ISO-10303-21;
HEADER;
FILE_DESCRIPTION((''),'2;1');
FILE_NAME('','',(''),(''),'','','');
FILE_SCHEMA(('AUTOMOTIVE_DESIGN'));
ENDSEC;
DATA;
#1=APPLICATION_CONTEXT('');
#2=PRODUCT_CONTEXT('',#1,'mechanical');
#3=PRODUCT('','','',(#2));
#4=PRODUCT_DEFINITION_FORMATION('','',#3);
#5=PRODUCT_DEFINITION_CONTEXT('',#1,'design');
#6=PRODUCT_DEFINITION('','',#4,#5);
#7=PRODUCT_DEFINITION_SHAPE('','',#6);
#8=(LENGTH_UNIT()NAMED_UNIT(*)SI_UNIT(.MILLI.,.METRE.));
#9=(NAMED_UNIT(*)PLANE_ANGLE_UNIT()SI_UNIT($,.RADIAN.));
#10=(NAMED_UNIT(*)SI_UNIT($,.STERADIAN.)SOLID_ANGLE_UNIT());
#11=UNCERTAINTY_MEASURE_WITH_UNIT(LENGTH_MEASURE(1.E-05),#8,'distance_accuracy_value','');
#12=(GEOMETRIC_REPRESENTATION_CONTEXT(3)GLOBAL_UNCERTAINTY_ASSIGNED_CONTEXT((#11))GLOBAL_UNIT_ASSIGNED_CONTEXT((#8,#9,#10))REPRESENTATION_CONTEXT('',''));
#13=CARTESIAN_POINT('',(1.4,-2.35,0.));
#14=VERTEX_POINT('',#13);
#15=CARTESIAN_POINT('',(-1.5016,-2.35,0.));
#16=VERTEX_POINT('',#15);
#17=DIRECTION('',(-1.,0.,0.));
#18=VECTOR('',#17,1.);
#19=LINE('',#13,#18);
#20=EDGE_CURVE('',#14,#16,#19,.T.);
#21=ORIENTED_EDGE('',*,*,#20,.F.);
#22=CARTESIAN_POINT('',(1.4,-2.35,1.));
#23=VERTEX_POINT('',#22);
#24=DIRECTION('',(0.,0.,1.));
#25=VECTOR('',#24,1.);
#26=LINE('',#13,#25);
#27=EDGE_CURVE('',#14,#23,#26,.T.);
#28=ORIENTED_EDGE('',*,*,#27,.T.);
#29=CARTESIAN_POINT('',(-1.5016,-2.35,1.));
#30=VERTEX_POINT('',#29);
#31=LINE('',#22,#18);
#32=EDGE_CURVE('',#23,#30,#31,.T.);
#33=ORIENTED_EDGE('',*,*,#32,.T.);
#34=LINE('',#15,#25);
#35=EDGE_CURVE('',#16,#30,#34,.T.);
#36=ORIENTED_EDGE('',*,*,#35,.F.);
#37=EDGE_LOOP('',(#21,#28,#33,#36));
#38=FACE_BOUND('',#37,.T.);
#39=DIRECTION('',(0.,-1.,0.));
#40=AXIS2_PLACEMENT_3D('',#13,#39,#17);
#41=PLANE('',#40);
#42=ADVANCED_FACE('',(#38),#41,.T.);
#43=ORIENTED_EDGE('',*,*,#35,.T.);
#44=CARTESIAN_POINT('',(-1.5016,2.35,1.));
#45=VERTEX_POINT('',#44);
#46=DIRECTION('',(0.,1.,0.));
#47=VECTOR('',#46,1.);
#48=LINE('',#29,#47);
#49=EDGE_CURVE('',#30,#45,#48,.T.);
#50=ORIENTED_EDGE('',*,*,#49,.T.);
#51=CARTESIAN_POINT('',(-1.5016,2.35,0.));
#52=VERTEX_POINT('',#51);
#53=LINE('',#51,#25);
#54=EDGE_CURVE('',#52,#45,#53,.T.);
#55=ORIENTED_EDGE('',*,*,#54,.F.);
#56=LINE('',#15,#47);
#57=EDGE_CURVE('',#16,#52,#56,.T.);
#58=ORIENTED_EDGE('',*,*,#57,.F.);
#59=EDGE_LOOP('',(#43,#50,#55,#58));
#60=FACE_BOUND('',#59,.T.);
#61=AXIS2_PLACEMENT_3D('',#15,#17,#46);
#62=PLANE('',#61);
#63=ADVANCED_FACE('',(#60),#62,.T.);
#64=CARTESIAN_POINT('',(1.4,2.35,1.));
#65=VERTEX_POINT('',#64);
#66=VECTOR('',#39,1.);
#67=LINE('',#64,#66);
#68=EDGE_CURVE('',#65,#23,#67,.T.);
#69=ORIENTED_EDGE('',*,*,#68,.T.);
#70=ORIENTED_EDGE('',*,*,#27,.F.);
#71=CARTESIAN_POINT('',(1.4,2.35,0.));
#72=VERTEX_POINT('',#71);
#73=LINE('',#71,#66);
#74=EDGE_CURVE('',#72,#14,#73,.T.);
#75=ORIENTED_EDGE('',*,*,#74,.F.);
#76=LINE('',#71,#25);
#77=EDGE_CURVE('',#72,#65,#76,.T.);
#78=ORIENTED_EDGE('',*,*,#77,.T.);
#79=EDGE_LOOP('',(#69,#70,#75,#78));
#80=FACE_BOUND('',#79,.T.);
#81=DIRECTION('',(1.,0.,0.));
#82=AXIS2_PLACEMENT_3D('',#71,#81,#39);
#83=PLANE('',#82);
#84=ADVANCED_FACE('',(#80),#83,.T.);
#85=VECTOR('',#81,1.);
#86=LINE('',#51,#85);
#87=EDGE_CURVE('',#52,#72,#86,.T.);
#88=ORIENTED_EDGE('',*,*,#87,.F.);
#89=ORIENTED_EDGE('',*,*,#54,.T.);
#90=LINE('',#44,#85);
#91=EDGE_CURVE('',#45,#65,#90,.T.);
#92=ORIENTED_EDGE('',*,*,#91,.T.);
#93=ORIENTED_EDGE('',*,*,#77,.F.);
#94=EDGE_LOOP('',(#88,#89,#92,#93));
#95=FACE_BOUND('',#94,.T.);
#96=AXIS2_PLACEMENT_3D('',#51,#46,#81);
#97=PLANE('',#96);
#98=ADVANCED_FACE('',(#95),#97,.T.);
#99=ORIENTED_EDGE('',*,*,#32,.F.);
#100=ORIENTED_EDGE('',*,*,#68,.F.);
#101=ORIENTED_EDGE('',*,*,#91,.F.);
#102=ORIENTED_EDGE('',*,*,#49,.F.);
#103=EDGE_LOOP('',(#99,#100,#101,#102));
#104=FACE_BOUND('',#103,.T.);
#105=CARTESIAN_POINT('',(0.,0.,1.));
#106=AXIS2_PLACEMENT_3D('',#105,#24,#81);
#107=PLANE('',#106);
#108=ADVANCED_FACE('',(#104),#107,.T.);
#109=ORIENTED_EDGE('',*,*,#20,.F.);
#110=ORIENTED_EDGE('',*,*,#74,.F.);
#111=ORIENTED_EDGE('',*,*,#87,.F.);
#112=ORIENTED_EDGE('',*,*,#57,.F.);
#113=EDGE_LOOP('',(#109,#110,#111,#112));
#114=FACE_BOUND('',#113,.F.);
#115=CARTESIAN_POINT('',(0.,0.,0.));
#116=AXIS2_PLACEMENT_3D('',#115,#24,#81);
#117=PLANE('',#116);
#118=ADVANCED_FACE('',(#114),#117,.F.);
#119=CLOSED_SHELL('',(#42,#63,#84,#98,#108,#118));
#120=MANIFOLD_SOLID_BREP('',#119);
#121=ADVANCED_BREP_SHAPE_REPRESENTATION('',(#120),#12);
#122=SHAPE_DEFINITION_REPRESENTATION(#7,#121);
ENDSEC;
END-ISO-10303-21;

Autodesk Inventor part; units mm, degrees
ref_plane "YZ Plane" through (0, 0, 0) normal (1, 0, 0) x (0, 1, 0)
ref_plane "XZ Plane" through (0, 0, 0) normal (0, 1, 0) x (-1, 0, 0)
ref_plane "XY Plane" through (0, 0, 0) normal (0, 0, 1) x (1, 0, 0)
sketch "P-LCC-2, LED_IC_1_STATUS_P-LCC-2_60" plane through (0, 0, 0) normal (0, 0, 1) x (1, 0, 0)
  line L0 (-1.5016, 2.35) -> (1.4, 2.35)
  line L1 (1.4, 2.35) -> (1.4, -2.35)
  line L2 (1.4, -2.35) -> (-1.5016, -2.35)
  line L3 (-1.5016, -2.35) -> (-1.5016, 2.35)
extrude "Extrusion1" add sketch "P-LCC-2, LED_IC_1_STATUS_P-LCC-2_60" along normal blind 1
properties part number "LED_IC_1_STATUS_P-LCC-2"
